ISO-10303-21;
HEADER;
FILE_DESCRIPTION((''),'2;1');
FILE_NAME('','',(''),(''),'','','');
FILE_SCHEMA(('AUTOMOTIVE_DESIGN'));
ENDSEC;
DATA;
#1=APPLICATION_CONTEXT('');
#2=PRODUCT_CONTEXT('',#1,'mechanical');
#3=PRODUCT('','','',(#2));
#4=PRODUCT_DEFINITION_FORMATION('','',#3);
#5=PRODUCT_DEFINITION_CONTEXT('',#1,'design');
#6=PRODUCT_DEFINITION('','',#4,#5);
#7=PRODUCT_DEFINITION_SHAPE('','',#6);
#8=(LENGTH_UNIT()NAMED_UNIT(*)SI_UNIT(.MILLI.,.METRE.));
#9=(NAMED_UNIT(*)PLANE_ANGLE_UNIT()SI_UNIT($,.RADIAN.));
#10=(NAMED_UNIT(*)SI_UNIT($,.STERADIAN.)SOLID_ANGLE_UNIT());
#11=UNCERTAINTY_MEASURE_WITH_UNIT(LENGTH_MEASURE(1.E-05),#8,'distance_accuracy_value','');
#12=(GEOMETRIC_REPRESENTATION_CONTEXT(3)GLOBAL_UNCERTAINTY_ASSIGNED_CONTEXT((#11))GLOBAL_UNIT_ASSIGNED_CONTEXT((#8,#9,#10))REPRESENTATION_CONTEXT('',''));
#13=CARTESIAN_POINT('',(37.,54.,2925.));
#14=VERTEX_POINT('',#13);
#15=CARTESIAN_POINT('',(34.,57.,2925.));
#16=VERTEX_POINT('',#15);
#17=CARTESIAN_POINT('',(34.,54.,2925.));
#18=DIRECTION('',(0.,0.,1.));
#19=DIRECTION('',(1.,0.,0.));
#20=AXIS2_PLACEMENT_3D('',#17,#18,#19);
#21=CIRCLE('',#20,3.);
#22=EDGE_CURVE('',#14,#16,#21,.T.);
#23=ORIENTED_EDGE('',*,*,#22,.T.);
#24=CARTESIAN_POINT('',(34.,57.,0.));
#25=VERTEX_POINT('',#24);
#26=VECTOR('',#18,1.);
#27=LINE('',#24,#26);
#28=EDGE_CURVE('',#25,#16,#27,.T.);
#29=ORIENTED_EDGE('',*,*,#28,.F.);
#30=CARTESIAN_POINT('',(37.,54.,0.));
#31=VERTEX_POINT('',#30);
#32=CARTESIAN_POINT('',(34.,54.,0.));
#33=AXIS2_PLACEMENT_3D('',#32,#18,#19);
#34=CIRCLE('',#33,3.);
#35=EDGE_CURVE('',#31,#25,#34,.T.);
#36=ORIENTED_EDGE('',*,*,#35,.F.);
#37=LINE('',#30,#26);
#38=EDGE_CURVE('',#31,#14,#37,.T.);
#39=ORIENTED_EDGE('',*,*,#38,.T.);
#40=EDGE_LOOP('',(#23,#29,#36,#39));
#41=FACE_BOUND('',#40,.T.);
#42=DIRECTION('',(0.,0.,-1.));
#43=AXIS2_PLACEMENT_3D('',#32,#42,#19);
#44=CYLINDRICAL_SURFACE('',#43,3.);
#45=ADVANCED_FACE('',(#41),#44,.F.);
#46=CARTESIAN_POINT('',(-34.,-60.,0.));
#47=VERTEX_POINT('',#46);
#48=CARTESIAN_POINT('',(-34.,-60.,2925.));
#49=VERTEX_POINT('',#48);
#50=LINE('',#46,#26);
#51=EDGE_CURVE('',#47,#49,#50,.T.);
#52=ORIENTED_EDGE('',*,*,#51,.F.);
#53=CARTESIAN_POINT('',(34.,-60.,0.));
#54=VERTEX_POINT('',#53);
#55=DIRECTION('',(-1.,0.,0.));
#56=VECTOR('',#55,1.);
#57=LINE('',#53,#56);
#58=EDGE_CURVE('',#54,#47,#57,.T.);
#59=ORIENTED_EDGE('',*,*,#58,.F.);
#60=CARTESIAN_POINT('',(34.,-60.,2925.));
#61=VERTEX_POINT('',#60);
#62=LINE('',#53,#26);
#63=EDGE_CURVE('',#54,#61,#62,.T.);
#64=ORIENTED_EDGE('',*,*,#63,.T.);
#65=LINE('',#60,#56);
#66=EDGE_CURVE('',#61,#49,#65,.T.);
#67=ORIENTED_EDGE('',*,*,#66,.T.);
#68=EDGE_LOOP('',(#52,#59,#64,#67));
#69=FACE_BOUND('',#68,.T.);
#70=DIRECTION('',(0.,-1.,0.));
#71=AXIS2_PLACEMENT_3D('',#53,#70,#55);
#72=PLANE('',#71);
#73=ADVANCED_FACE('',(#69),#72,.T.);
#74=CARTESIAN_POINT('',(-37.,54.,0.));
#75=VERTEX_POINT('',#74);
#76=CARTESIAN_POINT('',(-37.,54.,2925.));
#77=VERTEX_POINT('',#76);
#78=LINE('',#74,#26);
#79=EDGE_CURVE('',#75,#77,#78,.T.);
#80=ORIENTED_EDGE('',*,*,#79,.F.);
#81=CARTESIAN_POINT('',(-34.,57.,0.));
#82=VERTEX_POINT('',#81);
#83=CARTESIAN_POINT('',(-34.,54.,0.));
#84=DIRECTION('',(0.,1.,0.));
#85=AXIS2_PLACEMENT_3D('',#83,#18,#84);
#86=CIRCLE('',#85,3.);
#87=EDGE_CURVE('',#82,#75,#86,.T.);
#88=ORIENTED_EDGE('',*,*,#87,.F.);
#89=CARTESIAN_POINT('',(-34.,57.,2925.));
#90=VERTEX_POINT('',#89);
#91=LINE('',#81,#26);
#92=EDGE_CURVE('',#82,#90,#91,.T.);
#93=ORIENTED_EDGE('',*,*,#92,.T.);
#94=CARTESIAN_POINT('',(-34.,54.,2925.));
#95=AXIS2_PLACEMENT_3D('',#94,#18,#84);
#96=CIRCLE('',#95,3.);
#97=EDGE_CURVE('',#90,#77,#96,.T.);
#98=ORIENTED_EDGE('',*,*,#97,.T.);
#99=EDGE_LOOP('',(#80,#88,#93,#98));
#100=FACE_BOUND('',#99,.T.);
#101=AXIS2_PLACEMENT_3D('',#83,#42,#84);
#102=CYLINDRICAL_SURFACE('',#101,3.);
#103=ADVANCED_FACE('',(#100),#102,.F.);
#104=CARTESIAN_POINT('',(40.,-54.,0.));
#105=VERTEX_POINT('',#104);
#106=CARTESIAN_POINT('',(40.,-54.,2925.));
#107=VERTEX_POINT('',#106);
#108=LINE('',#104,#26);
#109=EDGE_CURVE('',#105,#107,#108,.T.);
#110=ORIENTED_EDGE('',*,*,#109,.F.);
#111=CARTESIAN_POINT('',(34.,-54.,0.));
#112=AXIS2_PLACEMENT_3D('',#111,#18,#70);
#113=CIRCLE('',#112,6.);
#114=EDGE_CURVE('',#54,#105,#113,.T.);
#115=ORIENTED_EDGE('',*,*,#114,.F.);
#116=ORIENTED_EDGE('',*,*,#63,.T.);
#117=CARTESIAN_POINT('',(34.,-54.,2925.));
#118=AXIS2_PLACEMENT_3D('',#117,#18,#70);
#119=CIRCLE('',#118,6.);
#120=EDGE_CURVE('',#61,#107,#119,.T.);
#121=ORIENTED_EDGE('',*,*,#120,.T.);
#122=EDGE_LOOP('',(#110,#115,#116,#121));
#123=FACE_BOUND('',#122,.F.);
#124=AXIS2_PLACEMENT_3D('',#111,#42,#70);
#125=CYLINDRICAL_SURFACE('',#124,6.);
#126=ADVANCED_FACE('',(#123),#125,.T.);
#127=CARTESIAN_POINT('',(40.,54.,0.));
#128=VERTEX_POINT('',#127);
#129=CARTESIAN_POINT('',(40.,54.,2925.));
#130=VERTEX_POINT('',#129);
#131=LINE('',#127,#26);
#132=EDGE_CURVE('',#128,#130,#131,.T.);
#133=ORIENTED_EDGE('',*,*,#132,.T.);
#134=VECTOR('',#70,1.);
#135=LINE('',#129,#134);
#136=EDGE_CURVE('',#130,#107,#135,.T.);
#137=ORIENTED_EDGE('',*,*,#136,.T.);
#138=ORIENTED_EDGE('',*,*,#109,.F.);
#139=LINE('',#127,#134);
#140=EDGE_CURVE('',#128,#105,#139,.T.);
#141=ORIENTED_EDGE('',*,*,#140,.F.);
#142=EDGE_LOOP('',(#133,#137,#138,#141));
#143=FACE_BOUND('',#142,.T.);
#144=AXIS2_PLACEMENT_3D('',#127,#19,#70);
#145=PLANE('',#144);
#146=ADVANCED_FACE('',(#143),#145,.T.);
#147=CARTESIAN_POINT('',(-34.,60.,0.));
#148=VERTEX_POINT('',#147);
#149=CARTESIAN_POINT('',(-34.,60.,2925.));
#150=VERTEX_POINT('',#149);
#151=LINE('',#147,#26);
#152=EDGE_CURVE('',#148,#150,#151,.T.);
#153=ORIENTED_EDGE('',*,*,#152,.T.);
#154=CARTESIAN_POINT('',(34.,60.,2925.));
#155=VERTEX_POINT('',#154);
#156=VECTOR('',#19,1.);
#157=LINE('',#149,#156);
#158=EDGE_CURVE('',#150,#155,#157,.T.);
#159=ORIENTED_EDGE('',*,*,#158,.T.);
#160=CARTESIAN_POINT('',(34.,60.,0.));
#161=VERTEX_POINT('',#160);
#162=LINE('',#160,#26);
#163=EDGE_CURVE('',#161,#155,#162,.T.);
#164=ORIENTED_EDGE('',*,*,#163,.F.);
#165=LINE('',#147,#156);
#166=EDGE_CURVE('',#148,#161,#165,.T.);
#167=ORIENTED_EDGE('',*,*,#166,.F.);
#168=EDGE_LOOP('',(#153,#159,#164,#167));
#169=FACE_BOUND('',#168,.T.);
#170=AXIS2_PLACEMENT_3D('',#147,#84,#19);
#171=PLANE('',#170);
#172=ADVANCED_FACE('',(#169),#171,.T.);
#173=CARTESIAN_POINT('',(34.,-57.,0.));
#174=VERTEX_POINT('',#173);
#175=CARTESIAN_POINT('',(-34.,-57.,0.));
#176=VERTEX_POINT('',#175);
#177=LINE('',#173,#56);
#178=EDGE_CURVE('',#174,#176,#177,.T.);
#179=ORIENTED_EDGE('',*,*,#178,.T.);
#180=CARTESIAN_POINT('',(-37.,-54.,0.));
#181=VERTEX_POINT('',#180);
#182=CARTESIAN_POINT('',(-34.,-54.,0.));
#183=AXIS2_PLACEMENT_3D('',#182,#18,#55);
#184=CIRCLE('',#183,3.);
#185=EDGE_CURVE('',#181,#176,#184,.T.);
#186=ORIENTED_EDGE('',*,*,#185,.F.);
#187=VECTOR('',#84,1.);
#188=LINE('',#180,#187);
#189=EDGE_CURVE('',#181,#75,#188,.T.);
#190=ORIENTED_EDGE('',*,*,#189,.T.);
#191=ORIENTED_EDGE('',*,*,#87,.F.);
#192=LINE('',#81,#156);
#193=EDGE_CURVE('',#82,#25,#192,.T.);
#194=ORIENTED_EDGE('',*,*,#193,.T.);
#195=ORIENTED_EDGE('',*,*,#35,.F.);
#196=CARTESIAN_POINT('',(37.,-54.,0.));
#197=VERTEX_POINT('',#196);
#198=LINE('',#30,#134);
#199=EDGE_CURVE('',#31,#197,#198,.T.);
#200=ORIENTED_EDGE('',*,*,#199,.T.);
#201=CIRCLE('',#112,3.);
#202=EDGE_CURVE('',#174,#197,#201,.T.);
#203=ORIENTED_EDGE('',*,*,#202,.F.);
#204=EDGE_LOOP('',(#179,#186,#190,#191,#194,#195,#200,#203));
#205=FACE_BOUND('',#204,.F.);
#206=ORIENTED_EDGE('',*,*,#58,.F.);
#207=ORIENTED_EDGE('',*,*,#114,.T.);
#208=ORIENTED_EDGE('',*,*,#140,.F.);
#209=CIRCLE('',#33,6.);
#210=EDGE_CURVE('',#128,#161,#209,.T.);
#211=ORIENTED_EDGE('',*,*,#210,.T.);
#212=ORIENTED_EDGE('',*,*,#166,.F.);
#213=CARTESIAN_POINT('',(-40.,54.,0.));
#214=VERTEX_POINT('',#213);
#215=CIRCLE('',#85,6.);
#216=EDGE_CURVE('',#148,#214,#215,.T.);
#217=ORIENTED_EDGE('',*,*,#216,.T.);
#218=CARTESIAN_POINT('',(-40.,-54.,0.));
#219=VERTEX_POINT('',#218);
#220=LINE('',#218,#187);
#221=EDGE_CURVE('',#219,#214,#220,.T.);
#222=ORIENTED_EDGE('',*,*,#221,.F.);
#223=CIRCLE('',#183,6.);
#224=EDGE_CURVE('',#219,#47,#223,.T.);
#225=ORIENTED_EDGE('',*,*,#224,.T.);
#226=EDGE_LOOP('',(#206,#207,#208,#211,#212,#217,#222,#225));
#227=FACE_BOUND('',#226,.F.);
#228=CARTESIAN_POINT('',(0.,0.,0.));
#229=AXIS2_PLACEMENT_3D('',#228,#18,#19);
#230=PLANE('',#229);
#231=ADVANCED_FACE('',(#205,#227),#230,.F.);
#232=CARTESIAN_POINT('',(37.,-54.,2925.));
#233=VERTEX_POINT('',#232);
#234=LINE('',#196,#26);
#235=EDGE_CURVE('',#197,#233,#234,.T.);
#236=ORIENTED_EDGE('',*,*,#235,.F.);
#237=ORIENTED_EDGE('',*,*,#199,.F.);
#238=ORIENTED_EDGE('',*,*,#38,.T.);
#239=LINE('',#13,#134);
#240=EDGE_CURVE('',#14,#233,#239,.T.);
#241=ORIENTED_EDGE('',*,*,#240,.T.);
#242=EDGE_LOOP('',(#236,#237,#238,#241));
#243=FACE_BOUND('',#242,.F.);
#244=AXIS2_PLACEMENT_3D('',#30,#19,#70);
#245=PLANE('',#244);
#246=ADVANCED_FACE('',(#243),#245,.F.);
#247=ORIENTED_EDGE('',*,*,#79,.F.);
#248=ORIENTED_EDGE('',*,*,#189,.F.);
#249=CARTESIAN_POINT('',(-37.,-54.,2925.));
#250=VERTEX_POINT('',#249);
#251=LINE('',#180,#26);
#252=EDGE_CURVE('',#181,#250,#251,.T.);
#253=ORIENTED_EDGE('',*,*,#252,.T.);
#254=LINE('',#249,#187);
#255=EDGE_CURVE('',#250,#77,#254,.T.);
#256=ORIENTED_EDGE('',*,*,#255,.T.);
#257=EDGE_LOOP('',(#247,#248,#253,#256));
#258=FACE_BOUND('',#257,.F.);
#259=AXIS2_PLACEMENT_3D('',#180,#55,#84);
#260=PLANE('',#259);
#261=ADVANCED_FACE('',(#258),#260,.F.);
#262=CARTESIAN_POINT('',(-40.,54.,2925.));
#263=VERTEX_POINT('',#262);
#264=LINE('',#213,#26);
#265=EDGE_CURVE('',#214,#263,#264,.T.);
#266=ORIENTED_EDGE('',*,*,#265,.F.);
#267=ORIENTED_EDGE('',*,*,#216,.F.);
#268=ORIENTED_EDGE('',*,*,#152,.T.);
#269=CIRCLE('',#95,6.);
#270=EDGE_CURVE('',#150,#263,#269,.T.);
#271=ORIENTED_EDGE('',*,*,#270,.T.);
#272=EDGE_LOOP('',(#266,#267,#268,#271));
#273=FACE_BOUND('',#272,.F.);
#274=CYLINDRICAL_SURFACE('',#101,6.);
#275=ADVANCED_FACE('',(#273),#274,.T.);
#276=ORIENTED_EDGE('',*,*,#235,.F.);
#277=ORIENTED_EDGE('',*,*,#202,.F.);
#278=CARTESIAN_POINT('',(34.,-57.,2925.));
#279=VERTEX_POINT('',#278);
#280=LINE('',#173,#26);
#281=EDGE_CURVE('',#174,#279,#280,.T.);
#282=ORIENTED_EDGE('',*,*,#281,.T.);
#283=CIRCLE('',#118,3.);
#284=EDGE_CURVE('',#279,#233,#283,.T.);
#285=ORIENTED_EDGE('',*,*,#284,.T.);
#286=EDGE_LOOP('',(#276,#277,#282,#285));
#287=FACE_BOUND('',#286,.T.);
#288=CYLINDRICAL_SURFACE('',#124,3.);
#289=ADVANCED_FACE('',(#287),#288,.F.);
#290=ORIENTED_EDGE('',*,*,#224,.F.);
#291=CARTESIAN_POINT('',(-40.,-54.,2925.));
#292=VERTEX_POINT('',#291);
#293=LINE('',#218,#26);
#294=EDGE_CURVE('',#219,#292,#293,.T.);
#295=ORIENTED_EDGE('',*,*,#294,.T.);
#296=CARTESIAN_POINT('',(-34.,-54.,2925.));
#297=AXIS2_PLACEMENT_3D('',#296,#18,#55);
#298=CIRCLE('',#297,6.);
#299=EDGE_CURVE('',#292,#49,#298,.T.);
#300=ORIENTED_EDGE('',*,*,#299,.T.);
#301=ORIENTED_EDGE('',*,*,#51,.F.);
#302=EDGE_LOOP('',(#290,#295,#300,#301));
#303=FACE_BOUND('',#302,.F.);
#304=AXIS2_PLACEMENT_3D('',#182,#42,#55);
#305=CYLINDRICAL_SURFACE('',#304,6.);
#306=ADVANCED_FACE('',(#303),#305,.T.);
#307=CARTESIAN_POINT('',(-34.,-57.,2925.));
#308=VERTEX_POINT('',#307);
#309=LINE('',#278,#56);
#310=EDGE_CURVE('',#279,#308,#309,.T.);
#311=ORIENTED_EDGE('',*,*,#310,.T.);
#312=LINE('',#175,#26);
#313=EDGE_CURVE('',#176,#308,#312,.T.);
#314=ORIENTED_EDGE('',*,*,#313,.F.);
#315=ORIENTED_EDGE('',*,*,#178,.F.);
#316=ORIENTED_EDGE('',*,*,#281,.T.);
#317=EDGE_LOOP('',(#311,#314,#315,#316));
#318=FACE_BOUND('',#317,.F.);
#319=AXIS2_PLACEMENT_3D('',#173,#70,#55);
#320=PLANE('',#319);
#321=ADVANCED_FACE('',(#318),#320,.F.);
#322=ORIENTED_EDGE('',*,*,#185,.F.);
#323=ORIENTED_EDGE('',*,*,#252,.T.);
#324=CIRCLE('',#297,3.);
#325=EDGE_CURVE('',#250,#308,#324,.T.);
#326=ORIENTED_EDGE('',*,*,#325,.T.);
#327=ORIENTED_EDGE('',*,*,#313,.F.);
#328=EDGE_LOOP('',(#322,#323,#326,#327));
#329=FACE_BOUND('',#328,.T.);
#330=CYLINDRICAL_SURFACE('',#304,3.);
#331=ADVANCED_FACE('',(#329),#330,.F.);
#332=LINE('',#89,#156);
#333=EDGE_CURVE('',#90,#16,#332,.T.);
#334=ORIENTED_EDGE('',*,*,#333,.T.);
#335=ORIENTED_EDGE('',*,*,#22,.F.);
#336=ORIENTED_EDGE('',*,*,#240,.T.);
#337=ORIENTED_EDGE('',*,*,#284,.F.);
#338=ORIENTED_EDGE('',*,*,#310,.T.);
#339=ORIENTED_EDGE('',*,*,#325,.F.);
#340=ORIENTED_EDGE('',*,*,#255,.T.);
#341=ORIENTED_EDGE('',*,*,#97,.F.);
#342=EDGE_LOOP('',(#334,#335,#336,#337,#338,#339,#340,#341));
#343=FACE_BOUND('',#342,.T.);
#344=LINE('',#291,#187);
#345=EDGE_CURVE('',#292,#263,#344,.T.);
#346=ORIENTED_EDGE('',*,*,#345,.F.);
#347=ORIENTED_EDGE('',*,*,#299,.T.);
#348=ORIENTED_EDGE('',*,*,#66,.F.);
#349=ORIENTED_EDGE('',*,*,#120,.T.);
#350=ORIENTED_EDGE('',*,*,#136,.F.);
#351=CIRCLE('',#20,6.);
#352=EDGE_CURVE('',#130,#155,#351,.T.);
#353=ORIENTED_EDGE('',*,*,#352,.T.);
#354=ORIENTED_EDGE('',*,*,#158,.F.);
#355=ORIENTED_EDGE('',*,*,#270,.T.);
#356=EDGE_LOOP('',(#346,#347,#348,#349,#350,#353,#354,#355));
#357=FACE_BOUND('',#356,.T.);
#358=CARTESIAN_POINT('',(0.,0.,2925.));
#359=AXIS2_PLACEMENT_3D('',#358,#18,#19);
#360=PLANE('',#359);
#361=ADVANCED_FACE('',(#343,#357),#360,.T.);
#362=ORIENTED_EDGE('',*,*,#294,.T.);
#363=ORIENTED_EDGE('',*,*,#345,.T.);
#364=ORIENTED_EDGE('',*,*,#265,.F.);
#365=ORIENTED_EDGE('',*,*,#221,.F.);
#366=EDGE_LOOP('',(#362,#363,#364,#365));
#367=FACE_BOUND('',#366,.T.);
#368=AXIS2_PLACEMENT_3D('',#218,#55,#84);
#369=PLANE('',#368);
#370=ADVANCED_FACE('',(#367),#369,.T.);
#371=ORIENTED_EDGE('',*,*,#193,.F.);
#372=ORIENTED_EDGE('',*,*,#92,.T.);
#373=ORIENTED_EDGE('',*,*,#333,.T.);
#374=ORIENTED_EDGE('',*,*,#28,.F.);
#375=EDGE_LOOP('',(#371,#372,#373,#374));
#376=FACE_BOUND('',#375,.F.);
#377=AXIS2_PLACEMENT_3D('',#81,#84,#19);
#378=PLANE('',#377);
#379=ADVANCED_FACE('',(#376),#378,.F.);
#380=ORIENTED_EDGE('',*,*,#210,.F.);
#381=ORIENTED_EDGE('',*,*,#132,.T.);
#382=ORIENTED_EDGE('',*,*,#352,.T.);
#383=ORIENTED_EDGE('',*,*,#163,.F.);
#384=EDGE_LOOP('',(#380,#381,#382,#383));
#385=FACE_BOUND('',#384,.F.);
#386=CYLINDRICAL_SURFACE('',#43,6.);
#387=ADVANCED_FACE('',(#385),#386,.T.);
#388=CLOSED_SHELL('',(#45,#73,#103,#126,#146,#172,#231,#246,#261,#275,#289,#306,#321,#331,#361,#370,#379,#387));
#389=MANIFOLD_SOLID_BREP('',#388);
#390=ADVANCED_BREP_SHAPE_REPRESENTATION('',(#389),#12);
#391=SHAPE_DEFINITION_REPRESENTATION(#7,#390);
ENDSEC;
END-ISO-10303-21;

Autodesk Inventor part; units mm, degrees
ref_plane "YZ Plane" through (0, 0, 0) normal (1, 0, 0) x (0, 1, 0)
ref_plane "Start plane" through (0, 0, 0) normal (0, 0, 1) x (1, 0, 0)
ref_plane "End plane" through (0, 0, 2925) normal (0, 0, 1) x (1, 0, 0)
sketch "Sketch" plane through (0, 0, 0) normal (0, 0, 1) x (1, 0, 0)
  line L0 (-40, -54) -> (-40, 54)
  line L1 (-34, 60) -> (34, 60)
  line L2 (40, 54) -> (40, -54)
  line L3 (34, -60) -> (-34, -60)
  arc A0 (-40, -54) -> (-34, -60) centre (-34, -54) ccw
  arc A1 (-34, 60) -> (-40, 54) centre (-34, 54) ccw
  arc A2 (40, 54) -> (34, 60) centre (34, 54) ccw
  arc A3 (34, -60) -> (40, -54) centre (34, -54) ccw
  arc A4 (-34, 57) -> (-37, 54) centre (-34, 54) ccw
  line L4 (-34, 57) -> (34, 57)
  arc A5 (37, 54) -> (34, 57) centre (34, 54) ccw
  line L5 (37, 54) -> (37, -54)
  arc A6 (34, -57) -> (37, -54) centre (34, -54) ccw
  line L6 (34, -57) -> (-34, -57)
  arc A7 (-37, -54) -> (-34, -57) centre (-34, -54) ccw
  line L7 (-37, -54) -> (-37, 54)
  line L8 (0, 37.1021) -> (0, -37.1021) construction
  line L9 (-23.1021, 0) -> (23.1021, 0) construction
  dimension "d7" = 6
  dimension "d10" = 120
  dimension "d11" = 80
  dimension "d12" = 3
  dimension "d15" = 60
  dimension "d16" = 40
extrude "Body" add sketch "Sketch" along normal up to surface (2925 mm away) from surface at 0
sketch "Sketch3" plane through (0, 0, 0) normal (0, 0, 1) x (1, 0, 0)
  line L0 (0, 0) -> (10, 0)
ref_plane "Work Plane3" through (0, 0, 0) normal (0, -1, 0) x (1, 0, 0)
sketch "Sketch4" plane through (0, 0, 0) normal (0, -1, 0) x (1, 0, 0)
  line L0 (-2, 0) -> (12, 0) projected
  line L1 (-2, 2925) -> (12, 2925) projected
  dimension "d18" = 2925
equation "\"d7\" = G_IR"
equation "\"d10\" = G_H"
equation "\"d11\" = G_W"
equation "\"d12\" = G_T"
equation "\"d15\" = 0.5 * d10"
equation "\"d16\" = 0.5 * d11"
equation "\"d3\" = G_L"
equation "\"G_W\" = 80"
equation "\"G_H\" = 120"
equation "\"G_T\" = 3"
equation "\"G_IR\" = 6"
equation "\"G_L\" = d18"
equation "\"G_OFFSET_START\" = 0"
equation "\"G_OFFSET_END\" = 0"
equation "\"d14\" = G_OFFSET_END + B_L"
equation "\"B_L\" = 2925"
properties part number "DIN EN 10219-2 - 120 x 80 x 3  - 2925" material "Steel, Mild"
